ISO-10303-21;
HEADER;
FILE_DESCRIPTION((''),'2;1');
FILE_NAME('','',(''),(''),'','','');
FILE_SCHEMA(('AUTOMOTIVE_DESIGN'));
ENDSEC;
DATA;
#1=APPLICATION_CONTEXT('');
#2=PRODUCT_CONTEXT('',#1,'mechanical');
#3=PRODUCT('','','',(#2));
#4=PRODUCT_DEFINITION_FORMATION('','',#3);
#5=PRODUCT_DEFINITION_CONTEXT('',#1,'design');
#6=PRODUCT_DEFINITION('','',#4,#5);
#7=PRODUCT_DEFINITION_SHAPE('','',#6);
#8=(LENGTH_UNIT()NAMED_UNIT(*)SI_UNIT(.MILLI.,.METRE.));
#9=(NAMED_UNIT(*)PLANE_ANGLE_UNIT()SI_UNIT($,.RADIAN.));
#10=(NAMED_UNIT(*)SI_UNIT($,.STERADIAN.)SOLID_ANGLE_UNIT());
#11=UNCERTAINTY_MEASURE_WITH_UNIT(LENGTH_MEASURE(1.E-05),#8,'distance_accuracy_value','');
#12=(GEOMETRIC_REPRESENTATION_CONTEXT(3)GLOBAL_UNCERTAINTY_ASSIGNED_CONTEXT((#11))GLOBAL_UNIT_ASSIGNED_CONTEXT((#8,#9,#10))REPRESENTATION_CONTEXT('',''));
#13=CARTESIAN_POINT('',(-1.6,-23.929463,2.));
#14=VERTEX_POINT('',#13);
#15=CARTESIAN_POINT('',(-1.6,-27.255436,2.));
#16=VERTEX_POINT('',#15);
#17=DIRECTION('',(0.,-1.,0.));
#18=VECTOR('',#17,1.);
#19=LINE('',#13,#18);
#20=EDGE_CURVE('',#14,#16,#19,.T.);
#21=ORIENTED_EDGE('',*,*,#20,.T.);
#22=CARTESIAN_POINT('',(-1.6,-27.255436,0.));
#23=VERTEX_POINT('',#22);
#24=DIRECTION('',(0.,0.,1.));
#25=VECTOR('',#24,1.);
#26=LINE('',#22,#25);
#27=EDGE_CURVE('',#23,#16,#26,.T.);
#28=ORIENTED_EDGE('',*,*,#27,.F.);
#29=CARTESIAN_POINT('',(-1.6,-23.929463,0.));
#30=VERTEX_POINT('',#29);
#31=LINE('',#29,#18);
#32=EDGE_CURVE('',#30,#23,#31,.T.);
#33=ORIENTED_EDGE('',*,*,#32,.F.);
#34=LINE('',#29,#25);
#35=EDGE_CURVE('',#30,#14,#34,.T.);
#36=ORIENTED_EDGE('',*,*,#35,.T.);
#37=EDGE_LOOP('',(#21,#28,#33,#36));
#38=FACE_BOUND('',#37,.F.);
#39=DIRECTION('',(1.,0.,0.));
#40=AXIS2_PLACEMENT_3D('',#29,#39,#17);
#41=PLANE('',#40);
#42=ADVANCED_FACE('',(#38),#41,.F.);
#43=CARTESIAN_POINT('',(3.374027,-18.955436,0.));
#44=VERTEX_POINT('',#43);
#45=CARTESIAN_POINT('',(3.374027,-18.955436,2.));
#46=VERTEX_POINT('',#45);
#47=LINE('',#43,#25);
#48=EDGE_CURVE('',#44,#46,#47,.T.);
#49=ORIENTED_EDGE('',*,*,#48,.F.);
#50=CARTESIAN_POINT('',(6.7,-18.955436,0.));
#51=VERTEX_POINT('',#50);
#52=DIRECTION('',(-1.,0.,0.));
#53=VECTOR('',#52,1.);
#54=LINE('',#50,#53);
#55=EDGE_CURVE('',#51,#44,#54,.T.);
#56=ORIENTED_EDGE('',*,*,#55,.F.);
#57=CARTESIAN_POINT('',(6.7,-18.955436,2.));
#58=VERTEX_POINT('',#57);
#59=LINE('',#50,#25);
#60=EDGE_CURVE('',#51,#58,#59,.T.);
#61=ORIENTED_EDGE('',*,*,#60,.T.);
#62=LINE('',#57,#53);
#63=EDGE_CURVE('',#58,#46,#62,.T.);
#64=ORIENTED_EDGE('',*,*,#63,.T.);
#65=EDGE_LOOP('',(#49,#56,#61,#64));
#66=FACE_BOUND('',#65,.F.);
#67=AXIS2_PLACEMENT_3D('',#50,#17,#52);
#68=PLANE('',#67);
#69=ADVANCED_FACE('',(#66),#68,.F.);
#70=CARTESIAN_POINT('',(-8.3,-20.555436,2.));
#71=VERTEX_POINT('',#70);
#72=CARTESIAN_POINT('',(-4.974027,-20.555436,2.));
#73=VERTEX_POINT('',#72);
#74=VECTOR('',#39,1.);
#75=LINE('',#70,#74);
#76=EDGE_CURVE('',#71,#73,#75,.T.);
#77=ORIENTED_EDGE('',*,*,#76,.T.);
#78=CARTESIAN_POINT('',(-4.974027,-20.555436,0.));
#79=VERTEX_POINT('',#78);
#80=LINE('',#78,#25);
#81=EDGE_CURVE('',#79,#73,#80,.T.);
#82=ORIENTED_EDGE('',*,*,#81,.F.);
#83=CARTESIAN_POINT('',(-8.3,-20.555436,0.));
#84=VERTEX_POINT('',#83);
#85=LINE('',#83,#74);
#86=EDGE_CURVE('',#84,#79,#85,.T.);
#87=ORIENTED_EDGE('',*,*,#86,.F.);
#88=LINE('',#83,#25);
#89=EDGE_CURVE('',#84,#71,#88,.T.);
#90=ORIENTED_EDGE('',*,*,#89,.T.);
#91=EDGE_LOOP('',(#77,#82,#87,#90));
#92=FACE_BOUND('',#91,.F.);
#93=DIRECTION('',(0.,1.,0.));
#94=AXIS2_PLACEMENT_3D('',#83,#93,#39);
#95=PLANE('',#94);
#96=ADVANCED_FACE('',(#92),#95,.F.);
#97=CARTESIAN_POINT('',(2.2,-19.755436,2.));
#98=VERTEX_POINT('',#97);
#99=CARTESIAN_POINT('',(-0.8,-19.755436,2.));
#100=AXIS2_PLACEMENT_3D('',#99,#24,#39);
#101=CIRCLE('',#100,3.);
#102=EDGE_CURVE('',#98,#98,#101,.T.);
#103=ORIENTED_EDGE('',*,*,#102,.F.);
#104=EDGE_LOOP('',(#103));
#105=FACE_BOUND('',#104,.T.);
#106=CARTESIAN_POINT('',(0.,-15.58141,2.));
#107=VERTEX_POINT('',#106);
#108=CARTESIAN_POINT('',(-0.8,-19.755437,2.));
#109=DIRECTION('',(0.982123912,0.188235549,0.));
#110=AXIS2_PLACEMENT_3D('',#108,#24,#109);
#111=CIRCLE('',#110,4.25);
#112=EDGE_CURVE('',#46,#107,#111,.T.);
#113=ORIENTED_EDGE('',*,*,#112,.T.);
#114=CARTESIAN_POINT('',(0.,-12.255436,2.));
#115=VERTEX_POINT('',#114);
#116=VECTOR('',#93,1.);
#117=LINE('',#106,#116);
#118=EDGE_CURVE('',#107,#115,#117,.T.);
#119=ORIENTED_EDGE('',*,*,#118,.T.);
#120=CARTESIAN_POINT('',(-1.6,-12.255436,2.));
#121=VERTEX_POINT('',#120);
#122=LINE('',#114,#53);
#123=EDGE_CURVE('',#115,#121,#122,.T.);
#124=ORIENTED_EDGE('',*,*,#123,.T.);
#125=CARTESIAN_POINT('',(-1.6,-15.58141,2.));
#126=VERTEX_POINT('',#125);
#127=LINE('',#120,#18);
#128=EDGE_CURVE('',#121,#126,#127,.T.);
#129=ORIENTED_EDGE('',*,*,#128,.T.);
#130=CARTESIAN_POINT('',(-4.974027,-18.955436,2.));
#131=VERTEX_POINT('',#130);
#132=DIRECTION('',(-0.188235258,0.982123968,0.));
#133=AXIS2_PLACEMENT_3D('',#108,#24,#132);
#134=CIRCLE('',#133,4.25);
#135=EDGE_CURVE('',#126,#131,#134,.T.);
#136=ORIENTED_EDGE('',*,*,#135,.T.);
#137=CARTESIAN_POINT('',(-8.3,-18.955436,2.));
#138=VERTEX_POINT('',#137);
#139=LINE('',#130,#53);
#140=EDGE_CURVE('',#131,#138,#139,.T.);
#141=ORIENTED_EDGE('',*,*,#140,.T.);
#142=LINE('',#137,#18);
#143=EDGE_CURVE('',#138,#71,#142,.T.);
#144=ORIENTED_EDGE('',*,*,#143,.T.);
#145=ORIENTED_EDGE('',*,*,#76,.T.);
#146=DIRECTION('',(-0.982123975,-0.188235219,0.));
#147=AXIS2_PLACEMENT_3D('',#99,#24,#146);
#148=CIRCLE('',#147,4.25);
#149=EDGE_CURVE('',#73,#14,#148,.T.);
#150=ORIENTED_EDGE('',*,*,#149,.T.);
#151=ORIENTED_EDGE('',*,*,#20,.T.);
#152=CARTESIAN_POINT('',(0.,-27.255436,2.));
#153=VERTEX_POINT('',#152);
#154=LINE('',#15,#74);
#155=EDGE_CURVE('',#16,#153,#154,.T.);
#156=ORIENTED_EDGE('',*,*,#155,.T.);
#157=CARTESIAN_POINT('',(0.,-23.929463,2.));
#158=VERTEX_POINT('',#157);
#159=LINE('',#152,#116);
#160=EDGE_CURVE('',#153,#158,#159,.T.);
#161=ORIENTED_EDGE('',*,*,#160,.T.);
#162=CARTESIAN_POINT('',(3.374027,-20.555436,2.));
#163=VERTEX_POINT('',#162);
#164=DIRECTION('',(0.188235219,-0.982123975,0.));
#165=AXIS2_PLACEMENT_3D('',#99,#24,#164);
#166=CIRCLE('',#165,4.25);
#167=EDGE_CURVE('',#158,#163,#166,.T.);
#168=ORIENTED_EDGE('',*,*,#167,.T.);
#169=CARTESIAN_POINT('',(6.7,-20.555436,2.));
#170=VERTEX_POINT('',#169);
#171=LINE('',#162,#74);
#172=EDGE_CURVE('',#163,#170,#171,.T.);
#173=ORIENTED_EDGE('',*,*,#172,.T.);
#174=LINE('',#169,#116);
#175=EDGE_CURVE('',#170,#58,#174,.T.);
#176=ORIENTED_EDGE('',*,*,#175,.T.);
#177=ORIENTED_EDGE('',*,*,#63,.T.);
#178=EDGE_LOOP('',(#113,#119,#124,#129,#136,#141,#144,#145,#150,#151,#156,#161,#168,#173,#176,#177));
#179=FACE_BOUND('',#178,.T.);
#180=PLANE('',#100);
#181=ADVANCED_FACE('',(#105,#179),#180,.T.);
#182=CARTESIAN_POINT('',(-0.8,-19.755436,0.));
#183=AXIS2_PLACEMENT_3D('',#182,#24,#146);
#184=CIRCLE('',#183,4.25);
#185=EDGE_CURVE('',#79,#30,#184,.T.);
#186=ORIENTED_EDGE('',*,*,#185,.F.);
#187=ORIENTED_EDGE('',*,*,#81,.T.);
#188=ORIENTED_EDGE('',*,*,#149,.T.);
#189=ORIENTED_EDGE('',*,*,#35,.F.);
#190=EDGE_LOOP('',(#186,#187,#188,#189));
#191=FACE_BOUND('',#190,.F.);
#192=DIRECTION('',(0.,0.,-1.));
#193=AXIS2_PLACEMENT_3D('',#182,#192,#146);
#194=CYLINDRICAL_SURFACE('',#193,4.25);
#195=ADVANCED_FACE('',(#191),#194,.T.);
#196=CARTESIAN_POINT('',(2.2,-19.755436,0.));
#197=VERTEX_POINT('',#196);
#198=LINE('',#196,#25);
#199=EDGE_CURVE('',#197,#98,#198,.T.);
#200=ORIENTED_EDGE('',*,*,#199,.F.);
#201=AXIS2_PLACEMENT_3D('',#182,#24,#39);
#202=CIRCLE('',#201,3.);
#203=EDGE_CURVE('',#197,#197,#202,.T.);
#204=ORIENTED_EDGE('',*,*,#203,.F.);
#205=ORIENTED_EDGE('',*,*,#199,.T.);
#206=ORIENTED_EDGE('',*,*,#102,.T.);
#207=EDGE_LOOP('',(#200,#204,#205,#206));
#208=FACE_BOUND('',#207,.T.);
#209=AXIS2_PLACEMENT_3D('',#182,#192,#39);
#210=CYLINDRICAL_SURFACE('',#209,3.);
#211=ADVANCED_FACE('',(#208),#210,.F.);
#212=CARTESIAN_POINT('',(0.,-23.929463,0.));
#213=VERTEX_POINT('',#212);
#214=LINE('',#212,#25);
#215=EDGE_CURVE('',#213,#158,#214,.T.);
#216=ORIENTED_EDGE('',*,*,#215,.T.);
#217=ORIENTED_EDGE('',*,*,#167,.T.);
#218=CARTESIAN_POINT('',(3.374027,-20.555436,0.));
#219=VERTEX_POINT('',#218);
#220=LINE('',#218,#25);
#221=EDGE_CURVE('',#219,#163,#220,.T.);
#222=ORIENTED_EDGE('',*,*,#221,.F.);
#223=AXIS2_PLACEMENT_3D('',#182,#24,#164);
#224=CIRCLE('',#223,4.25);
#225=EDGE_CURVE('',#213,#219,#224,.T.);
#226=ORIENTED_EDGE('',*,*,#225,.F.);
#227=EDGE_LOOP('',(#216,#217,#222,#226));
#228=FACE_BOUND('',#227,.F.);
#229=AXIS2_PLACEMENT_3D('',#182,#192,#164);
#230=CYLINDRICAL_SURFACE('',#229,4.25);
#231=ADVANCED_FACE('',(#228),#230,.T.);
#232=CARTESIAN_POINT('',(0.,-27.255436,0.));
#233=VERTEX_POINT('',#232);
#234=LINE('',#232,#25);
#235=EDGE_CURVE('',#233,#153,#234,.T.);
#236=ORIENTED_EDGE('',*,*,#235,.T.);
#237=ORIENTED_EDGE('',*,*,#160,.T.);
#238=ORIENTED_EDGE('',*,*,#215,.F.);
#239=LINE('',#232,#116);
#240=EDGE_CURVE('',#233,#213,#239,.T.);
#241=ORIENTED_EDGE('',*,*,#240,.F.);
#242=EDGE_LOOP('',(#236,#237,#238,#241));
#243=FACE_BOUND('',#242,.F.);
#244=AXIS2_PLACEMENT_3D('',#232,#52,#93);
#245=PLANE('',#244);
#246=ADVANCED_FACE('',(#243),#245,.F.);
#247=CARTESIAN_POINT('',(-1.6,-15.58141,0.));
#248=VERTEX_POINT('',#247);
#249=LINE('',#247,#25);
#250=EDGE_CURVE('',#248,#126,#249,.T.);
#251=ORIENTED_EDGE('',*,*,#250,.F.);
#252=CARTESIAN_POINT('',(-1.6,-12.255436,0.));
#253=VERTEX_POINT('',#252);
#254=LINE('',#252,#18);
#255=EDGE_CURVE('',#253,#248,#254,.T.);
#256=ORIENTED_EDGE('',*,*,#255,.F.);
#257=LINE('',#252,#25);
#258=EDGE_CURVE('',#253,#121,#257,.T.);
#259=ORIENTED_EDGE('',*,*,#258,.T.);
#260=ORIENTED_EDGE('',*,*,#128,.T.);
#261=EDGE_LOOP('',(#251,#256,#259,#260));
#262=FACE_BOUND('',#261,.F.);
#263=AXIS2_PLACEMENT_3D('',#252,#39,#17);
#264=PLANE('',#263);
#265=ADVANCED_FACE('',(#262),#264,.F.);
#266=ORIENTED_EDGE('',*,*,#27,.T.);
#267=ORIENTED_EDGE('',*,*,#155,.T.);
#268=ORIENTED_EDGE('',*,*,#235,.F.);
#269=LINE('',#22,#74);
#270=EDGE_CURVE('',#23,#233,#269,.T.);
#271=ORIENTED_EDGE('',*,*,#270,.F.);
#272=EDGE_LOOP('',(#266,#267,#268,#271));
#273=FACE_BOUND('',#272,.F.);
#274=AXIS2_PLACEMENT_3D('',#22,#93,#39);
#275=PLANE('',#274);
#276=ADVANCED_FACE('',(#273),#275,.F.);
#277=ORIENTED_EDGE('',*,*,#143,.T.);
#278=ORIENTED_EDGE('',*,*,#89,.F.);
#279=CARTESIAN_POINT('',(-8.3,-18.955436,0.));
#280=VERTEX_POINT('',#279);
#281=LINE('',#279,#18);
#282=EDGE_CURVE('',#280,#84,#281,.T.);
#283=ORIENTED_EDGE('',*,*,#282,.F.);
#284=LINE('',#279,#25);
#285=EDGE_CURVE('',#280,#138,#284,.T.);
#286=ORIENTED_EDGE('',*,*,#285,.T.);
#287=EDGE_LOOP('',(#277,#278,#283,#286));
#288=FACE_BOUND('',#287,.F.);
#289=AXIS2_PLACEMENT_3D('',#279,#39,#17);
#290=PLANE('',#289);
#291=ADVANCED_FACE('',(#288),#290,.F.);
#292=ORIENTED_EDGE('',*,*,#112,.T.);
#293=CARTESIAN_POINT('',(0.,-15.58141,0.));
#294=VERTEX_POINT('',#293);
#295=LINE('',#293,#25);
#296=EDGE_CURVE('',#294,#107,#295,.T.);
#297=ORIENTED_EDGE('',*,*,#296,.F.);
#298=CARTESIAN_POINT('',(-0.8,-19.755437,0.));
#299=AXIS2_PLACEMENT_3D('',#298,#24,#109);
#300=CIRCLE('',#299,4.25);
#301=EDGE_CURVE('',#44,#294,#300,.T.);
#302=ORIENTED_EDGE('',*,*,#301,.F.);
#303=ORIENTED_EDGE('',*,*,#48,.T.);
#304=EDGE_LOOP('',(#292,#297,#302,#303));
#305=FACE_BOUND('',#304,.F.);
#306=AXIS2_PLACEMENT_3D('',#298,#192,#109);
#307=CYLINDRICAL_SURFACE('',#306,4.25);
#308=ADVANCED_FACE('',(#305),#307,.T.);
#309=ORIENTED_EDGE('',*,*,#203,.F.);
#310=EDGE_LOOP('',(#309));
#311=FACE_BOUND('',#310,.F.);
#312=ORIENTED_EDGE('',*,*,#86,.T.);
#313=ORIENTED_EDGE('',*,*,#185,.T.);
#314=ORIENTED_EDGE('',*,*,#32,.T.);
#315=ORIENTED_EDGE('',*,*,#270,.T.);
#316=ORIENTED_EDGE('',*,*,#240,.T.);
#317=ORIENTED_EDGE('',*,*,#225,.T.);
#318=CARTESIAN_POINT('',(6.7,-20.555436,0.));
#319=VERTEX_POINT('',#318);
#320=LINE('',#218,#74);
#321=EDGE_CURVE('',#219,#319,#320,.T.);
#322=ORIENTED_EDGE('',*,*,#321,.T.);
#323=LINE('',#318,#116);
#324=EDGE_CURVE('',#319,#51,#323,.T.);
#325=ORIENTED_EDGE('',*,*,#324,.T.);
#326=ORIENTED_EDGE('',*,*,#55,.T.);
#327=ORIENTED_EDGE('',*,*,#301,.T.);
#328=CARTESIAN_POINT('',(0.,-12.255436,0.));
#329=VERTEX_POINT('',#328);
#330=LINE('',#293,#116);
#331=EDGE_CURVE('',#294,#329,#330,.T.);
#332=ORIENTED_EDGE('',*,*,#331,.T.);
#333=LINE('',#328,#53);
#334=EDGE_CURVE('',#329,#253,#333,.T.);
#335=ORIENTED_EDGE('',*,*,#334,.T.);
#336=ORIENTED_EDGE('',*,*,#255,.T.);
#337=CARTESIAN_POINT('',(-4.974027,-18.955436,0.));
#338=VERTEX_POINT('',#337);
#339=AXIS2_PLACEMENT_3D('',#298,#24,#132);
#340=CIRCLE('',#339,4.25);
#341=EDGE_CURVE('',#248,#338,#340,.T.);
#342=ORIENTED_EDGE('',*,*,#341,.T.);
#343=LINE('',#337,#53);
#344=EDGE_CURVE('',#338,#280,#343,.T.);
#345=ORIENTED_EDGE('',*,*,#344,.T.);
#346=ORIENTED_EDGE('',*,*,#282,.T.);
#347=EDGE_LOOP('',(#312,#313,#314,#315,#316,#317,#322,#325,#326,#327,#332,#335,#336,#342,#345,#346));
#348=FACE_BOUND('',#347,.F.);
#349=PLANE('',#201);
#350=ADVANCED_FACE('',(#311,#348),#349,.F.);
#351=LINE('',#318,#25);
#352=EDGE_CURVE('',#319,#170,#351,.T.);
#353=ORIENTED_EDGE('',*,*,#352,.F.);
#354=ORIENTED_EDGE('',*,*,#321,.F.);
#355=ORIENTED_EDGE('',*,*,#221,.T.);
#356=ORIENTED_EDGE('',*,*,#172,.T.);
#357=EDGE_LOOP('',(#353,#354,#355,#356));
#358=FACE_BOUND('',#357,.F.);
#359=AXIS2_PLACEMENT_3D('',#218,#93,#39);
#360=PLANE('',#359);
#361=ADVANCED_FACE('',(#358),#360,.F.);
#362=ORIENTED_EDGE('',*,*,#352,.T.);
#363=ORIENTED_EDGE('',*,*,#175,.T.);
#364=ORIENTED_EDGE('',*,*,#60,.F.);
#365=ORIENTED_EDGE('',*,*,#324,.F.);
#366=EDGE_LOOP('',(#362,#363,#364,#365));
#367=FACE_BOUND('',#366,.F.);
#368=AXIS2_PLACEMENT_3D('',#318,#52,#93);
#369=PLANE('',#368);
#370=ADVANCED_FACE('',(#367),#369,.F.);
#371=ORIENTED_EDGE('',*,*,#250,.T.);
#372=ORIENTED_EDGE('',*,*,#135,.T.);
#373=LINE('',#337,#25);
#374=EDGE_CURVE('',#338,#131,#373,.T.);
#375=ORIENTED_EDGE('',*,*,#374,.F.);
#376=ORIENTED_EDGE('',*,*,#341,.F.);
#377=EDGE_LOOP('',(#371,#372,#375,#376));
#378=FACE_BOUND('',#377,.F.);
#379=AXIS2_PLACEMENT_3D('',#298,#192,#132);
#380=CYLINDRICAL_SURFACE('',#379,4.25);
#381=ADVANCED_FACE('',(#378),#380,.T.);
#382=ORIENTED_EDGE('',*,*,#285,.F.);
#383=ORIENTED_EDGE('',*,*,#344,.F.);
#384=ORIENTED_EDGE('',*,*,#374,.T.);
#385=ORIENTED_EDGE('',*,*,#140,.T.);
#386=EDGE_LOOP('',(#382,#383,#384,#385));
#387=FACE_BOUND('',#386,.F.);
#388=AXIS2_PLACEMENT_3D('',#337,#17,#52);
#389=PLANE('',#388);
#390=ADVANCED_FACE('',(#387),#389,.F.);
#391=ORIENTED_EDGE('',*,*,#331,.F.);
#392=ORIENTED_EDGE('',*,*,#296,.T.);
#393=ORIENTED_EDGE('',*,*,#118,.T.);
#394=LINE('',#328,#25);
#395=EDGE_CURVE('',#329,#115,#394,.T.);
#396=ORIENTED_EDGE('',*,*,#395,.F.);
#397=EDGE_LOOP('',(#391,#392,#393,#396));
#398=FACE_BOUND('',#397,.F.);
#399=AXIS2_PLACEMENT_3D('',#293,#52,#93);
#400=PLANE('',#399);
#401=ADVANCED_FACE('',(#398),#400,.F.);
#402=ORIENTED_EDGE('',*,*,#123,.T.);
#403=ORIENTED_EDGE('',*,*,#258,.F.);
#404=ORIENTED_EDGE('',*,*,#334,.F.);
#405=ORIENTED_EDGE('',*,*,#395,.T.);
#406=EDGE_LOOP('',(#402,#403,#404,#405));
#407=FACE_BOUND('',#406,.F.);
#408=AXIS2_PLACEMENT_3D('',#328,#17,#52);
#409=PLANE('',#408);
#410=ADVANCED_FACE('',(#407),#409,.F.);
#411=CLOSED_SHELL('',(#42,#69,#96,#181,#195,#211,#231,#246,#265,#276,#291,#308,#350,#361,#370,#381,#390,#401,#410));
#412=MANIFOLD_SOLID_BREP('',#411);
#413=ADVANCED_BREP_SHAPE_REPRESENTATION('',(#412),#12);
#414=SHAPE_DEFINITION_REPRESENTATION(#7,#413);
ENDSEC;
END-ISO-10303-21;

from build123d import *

# Parameters (mm, degrees)
F0_R     = 3
F1_DEPTH = 2


with BuildPart() as f1:
    # F0 (on Top) → F1 (new body)
    with BuildSketch(Plane.XY):
        with BuildLine():
            Line((0, -12.255436), (-1.6, -12.255436))
            Line((-1.6, -12.255436), (-1.6, -15.58141))
            ThreePointArc((-1.6, -15.58141), (-3.805204, -16.750233), (-4.974027, -18.955436))
            Line((-4.974027, -18.955436), (-8.3, -18.955436))
            Line((-8.3, -18.955436), (-8.3, -20.555436))
            Line((-8.3, -20.555436), (-4.974027, -20.555436))
            ThreePointArc((-4.974027, -20.555436), (-3.805204, -22.76064), (-1.6, -23.929463))
            Line((-1.6, -23.929463), (-1.6, -27.255436))
            Line((-1.6, -27.255436), (0, -27.255436))
            Line((0, -27.255436), (0, -23.929463))
            ThreePointArc((0, -23.929463), (2.205204, -22.76064), (3.374027, -20.555436))
            Line((3.374027, -20.555436), (6.7, -20.555436))
            Line((6.7, -20.555436), (6.7, -18.955436))
            Line((6.7, -18.955436), (3.374027, -18.955436))
            ThreePointArc((3.374027, -18.955436), (2.205204, -16.750233), (0, -15.58141))
            Line((0, -15.58141), (0, -12.255436))
        make_face()
        with Locations((-0.8, -19.755436)):
            Circle(F0_R, mode=Mode.SUBTRACT)
    extrude(amount=F1_DEPTH)


solid = f1.part
